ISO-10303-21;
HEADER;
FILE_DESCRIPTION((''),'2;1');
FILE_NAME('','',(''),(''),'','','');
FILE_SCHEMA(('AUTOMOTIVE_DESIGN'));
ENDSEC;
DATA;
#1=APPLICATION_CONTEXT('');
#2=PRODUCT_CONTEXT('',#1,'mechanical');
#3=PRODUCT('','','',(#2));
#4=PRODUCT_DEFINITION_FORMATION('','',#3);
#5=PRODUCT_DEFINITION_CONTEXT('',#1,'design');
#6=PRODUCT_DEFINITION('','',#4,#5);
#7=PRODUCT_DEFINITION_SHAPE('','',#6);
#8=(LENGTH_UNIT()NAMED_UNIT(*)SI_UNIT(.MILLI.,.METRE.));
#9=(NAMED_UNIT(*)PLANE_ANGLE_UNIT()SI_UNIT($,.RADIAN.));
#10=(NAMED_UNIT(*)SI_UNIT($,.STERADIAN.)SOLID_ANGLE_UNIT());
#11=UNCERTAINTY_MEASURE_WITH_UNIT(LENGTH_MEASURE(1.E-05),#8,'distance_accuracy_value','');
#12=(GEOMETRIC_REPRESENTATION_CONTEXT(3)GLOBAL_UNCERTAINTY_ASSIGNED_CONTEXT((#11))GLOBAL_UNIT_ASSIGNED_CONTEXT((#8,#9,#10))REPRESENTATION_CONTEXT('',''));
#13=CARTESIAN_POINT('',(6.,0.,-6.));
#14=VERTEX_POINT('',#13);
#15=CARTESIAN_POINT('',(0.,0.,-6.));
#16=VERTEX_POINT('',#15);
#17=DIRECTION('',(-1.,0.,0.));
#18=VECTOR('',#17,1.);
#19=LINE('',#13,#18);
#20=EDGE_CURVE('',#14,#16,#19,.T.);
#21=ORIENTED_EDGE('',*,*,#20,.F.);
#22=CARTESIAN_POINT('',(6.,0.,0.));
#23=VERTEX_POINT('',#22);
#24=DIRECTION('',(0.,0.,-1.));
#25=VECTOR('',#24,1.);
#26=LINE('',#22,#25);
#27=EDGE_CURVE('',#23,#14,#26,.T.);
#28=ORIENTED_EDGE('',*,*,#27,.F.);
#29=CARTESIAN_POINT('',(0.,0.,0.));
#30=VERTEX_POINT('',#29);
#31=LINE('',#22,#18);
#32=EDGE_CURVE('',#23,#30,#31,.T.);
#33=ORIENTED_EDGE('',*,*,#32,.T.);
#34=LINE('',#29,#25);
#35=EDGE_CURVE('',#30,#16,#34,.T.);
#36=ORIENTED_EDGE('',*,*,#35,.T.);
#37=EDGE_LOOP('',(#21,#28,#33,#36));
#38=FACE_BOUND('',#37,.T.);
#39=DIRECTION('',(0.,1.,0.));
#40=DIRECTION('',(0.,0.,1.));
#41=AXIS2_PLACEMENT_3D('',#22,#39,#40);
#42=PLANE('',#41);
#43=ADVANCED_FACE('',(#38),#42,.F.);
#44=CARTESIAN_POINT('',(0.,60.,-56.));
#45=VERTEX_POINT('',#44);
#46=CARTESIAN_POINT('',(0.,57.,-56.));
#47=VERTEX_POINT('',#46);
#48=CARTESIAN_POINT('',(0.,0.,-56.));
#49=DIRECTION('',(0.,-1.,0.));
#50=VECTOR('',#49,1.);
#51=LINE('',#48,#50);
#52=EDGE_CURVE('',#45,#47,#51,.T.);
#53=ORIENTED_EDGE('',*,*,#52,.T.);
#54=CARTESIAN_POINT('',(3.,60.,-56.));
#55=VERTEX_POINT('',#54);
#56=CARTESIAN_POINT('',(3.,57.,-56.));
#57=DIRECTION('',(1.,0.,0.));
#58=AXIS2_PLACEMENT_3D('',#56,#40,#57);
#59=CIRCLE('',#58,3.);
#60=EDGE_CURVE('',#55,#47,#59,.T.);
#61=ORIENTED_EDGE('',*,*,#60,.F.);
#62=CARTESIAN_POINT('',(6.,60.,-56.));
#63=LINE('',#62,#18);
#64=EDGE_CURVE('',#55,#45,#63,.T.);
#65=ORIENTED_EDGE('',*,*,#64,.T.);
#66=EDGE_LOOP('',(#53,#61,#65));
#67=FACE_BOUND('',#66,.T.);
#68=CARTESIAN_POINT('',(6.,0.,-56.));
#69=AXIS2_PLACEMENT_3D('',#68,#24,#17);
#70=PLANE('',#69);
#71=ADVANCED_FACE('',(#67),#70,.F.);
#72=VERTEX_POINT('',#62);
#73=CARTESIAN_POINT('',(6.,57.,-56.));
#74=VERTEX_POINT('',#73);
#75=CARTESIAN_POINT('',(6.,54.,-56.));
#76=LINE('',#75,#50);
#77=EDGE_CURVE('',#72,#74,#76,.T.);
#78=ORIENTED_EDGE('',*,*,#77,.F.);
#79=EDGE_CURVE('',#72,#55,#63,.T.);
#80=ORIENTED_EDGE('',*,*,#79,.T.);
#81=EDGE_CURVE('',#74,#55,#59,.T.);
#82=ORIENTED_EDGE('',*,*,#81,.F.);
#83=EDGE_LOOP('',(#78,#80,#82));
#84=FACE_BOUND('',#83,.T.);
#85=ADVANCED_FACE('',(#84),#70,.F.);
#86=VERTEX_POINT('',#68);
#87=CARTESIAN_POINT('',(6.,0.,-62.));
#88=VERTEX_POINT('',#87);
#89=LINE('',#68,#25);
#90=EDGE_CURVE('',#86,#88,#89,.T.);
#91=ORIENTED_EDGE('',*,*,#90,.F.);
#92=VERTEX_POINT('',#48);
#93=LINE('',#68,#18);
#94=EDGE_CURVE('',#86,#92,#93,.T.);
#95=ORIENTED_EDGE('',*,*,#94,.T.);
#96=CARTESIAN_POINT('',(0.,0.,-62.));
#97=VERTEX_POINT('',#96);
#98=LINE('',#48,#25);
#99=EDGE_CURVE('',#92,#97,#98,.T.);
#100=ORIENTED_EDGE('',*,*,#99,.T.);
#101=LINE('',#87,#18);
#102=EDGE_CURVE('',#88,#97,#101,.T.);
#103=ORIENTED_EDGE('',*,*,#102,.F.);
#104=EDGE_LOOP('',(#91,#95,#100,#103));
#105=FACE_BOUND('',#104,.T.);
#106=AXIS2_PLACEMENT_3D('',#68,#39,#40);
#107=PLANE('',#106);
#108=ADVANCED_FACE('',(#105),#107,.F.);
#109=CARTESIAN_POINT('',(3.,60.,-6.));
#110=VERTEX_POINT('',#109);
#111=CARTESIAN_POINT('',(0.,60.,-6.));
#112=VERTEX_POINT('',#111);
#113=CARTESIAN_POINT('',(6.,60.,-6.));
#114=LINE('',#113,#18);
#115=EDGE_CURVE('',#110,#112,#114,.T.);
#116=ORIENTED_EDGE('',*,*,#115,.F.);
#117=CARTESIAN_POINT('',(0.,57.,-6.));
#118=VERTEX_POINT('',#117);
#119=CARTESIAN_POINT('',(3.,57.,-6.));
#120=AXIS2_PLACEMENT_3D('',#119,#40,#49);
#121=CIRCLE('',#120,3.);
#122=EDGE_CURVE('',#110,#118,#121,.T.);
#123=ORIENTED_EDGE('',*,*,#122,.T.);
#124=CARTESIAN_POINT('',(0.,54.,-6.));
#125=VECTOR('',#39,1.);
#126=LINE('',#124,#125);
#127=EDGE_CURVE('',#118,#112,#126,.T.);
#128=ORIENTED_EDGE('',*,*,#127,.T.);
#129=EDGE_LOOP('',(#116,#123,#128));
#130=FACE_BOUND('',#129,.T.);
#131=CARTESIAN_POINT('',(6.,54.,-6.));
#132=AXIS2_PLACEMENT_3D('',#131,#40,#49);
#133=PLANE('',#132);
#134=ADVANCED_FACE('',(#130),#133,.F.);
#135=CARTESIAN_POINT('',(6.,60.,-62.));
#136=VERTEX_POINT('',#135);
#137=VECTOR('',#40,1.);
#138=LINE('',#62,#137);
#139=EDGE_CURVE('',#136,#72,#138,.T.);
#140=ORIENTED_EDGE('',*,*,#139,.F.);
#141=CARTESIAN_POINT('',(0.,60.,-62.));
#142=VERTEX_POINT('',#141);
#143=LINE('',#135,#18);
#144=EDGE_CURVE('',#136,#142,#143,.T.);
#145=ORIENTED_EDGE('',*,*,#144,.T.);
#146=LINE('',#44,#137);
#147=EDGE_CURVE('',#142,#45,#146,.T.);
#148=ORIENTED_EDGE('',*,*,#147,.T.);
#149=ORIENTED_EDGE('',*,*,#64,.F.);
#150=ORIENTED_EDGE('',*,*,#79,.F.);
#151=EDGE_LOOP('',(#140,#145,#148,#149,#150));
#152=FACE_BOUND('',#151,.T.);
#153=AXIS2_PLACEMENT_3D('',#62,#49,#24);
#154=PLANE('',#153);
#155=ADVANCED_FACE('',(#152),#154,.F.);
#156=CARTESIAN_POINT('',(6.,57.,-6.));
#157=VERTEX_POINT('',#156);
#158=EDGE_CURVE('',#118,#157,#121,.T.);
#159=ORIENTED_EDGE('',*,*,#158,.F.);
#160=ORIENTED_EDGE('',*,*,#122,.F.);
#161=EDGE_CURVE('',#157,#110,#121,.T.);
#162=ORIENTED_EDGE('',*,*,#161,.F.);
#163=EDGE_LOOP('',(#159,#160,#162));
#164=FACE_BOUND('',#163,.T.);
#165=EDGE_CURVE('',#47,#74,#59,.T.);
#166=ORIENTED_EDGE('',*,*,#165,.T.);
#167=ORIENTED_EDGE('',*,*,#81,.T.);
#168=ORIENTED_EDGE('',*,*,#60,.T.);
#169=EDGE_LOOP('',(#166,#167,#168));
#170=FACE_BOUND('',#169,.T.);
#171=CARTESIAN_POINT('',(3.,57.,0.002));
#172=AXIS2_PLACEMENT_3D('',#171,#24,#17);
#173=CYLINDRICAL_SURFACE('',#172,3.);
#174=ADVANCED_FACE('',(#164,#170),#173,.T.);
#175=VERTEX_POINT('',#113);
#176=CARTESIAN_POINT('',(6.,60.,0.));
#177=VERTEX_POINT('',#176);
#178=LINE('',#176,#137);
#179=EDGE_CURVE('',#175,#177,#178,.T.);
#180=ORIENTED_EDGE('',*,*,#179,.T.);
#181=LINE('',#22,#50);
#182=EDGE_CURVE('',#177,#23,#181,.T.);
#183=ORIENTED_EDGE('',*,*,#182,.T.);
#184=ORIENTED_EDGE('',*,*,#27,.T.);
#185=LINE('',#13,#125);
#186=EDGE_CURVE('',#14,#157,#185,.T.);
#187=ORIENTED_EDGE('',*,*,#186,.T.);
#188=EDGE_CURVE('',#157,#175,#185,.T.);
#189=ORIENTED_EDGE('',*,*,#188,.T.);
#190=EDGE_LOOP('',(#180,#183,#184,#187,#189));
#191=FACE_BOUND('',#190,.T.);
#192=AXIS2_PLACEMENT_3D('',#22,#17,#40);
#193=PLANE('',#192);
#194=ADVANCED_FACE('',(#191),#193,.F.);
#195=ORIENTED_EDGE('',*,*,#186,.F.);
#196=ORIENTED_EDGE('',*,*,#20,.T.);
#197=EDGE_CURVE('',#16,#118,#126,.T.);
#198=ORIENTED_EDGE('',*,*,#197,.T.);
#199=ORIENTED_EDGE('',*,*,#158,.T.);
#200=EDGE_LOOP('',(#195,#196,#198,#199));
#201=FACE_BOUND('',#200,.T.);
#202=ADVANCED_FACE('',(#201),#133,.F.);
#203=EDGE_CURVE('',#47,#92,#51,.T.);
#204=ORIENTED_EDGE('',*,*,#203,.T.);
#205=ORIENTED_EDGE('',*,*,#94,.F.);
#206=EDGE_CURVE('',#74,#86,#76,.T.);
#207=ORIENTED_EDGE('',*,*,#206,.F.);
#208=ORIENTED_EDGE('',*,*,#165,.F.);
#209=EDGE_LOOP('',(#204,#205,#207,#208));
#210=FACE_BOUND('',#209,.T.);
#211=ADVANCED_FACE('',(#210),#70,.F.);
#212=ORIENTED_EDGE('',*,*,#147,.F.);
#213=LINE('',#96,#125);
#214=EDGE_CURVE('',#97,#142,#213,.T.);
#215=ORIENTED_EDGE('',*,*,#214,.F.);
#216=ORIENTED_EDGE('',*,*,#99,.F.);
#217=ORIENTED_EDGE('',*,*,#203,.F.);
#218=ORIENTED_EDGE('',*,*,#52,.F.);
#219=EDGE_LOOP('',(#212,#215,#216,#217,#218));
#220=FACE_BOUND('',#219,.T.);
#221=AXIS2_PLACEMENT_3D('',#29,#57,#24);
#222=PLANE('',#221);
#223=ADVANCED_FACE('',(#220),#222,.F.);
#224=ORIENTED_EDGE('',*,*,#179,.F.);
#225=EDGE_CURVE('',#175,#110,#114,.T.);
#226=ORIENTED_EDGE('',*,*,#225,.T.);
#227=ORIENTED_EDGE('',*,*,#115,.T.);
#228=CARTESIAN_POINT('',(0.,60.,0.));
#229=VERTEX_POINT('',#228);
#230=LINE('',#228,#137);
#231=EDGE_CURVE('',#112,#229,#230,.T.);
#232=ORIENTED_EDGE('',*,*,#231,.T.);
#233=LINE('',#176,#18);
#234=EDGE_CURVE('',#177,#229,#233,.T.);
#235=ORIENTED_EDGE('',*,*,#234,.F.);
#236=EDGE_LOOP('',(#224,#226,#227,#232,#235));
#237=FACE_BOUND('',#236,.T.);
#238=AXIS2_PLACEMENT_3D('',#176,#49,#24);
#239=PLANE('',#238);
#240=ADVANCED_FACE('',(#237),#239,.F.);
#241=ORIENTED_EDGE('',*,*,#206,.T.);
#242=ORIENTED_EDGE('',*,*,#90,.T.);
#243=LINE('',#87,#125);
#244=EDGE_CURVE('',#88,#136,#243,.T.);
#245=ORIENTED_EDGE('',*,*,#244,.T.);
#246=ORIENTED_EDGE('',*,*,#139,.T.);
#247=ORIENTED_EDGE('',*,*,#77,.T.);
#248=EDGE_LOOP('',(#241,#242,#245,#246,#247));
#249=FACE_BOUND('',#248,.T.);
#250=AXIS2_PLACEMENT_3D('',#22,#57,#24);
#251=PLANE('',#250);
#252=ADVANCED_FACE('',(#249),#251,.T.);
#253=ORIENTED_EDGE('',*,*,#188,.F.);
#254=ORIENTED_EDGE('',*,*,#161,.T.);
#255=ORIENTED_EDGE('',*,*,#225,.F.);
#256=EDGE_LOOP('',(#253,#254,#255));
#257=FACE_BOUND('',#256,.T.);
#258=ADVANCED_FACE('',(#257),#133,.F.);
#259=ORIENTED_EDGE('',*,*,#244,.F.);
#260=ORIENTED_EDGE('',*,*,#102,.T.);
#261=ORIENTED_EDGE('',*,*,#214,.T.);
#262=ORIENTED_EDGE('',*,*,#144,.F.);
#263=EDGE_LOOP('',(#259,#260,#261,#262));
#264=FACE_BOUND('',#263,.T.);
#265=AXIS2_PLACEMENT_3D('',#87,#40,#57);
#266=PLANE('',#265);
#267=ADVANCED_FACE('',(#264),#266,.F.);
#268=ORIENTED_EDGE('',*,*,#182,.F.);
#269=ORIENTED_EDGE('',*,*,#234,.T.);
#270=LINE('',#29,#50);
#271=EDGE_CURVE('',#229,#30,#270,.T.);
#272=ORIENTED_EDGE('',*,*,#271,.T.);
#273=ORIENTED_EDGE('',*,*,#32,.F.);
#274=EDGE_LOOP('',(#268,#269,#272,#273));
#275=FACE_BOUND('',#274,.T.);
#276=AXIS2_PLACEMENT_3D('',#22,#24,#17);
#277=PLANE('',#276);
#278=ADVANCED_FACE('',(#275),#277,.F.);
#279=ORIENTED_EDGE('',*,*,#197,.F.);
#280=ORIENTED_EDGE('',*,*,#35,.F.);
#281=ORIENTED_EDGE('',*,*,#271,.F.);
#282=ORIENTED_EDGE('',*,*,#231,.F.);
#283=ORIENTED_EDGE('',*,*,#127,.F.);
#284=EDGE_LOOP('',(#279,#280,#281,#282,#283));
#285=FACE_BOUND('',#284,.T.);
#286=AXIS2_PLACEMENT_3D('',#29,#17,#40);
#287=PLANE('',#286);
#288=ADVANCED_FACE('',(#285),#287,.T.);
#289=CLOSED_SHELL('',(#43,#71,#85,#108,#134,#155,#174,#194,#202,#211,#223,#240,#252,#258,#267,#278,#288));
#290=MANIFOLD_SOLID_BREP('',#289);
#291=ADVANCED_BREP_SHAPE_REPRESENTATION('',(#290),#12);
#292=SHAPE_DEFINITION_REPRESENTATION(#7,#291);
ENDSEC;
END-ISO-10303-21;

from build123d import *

# Parameters (mm, degrees)
SALIENTE_EXTRUIR1_DEPTH   = 6
SALIENTE_EXTRUIR1_2_DEPTH = 6
SALIENTE_EXTRUIR2_REACH   = 84.292
CROQUIS2_R                = 3


with BuildPart() as part:
    # Croquis1 → Saliente-Extruir1 (new body)
    with BuildSketch(Plane(origin=(0, 0, 0), x_dir=(0, 0, -1), z_dir=(1, 0, 0))):
        Polygon((56, 0), (62, 0), (62, 60), (56, 60), (56, 54), align=None)
    extrude(amount=SALIENTE_EXTRUIR1_DEPTH)


with BuildPart() as body_2:
    # Croquis1 → Saliente-Extruir1 2 (new body)
    with BuildSketch(Plane(origin=(0, 0, 0), x_dir=(0, 0, -1), z_dir=(1, 0, 0))):
        Polygon((0, 0), (6, 0), (6, 54), (6, 60), (0, 60), align=None)
    extrude(amount=SALIENTE_EXTRUIR1_2_DEPTH)

    # Croquis2 → Saliente-Extruir2 (add, up to next)
    with BuildSketch(Plane.XY.offset(-56), mode=Mode.PRIVATE) as saliente_extruir2_sk1:
        with Locations(Location((3, 57, 0), (0, 0, 180))):
            Circle(CROQUIS2_R)
    saliente_extruir2_tool1 = extrude(saliente_extruir2_sk1.sketch, amount=SALIENTE_EXTRUIR2_REACH, mode=Mode.PRIVATE) - body_2.part

    add(part.part)  # Saliente-Extruir2 merges part
    add(saliente_extruir2_tool1.solids().sort_by_distance((3, 57, -56))[0])


solid = body_2.part
